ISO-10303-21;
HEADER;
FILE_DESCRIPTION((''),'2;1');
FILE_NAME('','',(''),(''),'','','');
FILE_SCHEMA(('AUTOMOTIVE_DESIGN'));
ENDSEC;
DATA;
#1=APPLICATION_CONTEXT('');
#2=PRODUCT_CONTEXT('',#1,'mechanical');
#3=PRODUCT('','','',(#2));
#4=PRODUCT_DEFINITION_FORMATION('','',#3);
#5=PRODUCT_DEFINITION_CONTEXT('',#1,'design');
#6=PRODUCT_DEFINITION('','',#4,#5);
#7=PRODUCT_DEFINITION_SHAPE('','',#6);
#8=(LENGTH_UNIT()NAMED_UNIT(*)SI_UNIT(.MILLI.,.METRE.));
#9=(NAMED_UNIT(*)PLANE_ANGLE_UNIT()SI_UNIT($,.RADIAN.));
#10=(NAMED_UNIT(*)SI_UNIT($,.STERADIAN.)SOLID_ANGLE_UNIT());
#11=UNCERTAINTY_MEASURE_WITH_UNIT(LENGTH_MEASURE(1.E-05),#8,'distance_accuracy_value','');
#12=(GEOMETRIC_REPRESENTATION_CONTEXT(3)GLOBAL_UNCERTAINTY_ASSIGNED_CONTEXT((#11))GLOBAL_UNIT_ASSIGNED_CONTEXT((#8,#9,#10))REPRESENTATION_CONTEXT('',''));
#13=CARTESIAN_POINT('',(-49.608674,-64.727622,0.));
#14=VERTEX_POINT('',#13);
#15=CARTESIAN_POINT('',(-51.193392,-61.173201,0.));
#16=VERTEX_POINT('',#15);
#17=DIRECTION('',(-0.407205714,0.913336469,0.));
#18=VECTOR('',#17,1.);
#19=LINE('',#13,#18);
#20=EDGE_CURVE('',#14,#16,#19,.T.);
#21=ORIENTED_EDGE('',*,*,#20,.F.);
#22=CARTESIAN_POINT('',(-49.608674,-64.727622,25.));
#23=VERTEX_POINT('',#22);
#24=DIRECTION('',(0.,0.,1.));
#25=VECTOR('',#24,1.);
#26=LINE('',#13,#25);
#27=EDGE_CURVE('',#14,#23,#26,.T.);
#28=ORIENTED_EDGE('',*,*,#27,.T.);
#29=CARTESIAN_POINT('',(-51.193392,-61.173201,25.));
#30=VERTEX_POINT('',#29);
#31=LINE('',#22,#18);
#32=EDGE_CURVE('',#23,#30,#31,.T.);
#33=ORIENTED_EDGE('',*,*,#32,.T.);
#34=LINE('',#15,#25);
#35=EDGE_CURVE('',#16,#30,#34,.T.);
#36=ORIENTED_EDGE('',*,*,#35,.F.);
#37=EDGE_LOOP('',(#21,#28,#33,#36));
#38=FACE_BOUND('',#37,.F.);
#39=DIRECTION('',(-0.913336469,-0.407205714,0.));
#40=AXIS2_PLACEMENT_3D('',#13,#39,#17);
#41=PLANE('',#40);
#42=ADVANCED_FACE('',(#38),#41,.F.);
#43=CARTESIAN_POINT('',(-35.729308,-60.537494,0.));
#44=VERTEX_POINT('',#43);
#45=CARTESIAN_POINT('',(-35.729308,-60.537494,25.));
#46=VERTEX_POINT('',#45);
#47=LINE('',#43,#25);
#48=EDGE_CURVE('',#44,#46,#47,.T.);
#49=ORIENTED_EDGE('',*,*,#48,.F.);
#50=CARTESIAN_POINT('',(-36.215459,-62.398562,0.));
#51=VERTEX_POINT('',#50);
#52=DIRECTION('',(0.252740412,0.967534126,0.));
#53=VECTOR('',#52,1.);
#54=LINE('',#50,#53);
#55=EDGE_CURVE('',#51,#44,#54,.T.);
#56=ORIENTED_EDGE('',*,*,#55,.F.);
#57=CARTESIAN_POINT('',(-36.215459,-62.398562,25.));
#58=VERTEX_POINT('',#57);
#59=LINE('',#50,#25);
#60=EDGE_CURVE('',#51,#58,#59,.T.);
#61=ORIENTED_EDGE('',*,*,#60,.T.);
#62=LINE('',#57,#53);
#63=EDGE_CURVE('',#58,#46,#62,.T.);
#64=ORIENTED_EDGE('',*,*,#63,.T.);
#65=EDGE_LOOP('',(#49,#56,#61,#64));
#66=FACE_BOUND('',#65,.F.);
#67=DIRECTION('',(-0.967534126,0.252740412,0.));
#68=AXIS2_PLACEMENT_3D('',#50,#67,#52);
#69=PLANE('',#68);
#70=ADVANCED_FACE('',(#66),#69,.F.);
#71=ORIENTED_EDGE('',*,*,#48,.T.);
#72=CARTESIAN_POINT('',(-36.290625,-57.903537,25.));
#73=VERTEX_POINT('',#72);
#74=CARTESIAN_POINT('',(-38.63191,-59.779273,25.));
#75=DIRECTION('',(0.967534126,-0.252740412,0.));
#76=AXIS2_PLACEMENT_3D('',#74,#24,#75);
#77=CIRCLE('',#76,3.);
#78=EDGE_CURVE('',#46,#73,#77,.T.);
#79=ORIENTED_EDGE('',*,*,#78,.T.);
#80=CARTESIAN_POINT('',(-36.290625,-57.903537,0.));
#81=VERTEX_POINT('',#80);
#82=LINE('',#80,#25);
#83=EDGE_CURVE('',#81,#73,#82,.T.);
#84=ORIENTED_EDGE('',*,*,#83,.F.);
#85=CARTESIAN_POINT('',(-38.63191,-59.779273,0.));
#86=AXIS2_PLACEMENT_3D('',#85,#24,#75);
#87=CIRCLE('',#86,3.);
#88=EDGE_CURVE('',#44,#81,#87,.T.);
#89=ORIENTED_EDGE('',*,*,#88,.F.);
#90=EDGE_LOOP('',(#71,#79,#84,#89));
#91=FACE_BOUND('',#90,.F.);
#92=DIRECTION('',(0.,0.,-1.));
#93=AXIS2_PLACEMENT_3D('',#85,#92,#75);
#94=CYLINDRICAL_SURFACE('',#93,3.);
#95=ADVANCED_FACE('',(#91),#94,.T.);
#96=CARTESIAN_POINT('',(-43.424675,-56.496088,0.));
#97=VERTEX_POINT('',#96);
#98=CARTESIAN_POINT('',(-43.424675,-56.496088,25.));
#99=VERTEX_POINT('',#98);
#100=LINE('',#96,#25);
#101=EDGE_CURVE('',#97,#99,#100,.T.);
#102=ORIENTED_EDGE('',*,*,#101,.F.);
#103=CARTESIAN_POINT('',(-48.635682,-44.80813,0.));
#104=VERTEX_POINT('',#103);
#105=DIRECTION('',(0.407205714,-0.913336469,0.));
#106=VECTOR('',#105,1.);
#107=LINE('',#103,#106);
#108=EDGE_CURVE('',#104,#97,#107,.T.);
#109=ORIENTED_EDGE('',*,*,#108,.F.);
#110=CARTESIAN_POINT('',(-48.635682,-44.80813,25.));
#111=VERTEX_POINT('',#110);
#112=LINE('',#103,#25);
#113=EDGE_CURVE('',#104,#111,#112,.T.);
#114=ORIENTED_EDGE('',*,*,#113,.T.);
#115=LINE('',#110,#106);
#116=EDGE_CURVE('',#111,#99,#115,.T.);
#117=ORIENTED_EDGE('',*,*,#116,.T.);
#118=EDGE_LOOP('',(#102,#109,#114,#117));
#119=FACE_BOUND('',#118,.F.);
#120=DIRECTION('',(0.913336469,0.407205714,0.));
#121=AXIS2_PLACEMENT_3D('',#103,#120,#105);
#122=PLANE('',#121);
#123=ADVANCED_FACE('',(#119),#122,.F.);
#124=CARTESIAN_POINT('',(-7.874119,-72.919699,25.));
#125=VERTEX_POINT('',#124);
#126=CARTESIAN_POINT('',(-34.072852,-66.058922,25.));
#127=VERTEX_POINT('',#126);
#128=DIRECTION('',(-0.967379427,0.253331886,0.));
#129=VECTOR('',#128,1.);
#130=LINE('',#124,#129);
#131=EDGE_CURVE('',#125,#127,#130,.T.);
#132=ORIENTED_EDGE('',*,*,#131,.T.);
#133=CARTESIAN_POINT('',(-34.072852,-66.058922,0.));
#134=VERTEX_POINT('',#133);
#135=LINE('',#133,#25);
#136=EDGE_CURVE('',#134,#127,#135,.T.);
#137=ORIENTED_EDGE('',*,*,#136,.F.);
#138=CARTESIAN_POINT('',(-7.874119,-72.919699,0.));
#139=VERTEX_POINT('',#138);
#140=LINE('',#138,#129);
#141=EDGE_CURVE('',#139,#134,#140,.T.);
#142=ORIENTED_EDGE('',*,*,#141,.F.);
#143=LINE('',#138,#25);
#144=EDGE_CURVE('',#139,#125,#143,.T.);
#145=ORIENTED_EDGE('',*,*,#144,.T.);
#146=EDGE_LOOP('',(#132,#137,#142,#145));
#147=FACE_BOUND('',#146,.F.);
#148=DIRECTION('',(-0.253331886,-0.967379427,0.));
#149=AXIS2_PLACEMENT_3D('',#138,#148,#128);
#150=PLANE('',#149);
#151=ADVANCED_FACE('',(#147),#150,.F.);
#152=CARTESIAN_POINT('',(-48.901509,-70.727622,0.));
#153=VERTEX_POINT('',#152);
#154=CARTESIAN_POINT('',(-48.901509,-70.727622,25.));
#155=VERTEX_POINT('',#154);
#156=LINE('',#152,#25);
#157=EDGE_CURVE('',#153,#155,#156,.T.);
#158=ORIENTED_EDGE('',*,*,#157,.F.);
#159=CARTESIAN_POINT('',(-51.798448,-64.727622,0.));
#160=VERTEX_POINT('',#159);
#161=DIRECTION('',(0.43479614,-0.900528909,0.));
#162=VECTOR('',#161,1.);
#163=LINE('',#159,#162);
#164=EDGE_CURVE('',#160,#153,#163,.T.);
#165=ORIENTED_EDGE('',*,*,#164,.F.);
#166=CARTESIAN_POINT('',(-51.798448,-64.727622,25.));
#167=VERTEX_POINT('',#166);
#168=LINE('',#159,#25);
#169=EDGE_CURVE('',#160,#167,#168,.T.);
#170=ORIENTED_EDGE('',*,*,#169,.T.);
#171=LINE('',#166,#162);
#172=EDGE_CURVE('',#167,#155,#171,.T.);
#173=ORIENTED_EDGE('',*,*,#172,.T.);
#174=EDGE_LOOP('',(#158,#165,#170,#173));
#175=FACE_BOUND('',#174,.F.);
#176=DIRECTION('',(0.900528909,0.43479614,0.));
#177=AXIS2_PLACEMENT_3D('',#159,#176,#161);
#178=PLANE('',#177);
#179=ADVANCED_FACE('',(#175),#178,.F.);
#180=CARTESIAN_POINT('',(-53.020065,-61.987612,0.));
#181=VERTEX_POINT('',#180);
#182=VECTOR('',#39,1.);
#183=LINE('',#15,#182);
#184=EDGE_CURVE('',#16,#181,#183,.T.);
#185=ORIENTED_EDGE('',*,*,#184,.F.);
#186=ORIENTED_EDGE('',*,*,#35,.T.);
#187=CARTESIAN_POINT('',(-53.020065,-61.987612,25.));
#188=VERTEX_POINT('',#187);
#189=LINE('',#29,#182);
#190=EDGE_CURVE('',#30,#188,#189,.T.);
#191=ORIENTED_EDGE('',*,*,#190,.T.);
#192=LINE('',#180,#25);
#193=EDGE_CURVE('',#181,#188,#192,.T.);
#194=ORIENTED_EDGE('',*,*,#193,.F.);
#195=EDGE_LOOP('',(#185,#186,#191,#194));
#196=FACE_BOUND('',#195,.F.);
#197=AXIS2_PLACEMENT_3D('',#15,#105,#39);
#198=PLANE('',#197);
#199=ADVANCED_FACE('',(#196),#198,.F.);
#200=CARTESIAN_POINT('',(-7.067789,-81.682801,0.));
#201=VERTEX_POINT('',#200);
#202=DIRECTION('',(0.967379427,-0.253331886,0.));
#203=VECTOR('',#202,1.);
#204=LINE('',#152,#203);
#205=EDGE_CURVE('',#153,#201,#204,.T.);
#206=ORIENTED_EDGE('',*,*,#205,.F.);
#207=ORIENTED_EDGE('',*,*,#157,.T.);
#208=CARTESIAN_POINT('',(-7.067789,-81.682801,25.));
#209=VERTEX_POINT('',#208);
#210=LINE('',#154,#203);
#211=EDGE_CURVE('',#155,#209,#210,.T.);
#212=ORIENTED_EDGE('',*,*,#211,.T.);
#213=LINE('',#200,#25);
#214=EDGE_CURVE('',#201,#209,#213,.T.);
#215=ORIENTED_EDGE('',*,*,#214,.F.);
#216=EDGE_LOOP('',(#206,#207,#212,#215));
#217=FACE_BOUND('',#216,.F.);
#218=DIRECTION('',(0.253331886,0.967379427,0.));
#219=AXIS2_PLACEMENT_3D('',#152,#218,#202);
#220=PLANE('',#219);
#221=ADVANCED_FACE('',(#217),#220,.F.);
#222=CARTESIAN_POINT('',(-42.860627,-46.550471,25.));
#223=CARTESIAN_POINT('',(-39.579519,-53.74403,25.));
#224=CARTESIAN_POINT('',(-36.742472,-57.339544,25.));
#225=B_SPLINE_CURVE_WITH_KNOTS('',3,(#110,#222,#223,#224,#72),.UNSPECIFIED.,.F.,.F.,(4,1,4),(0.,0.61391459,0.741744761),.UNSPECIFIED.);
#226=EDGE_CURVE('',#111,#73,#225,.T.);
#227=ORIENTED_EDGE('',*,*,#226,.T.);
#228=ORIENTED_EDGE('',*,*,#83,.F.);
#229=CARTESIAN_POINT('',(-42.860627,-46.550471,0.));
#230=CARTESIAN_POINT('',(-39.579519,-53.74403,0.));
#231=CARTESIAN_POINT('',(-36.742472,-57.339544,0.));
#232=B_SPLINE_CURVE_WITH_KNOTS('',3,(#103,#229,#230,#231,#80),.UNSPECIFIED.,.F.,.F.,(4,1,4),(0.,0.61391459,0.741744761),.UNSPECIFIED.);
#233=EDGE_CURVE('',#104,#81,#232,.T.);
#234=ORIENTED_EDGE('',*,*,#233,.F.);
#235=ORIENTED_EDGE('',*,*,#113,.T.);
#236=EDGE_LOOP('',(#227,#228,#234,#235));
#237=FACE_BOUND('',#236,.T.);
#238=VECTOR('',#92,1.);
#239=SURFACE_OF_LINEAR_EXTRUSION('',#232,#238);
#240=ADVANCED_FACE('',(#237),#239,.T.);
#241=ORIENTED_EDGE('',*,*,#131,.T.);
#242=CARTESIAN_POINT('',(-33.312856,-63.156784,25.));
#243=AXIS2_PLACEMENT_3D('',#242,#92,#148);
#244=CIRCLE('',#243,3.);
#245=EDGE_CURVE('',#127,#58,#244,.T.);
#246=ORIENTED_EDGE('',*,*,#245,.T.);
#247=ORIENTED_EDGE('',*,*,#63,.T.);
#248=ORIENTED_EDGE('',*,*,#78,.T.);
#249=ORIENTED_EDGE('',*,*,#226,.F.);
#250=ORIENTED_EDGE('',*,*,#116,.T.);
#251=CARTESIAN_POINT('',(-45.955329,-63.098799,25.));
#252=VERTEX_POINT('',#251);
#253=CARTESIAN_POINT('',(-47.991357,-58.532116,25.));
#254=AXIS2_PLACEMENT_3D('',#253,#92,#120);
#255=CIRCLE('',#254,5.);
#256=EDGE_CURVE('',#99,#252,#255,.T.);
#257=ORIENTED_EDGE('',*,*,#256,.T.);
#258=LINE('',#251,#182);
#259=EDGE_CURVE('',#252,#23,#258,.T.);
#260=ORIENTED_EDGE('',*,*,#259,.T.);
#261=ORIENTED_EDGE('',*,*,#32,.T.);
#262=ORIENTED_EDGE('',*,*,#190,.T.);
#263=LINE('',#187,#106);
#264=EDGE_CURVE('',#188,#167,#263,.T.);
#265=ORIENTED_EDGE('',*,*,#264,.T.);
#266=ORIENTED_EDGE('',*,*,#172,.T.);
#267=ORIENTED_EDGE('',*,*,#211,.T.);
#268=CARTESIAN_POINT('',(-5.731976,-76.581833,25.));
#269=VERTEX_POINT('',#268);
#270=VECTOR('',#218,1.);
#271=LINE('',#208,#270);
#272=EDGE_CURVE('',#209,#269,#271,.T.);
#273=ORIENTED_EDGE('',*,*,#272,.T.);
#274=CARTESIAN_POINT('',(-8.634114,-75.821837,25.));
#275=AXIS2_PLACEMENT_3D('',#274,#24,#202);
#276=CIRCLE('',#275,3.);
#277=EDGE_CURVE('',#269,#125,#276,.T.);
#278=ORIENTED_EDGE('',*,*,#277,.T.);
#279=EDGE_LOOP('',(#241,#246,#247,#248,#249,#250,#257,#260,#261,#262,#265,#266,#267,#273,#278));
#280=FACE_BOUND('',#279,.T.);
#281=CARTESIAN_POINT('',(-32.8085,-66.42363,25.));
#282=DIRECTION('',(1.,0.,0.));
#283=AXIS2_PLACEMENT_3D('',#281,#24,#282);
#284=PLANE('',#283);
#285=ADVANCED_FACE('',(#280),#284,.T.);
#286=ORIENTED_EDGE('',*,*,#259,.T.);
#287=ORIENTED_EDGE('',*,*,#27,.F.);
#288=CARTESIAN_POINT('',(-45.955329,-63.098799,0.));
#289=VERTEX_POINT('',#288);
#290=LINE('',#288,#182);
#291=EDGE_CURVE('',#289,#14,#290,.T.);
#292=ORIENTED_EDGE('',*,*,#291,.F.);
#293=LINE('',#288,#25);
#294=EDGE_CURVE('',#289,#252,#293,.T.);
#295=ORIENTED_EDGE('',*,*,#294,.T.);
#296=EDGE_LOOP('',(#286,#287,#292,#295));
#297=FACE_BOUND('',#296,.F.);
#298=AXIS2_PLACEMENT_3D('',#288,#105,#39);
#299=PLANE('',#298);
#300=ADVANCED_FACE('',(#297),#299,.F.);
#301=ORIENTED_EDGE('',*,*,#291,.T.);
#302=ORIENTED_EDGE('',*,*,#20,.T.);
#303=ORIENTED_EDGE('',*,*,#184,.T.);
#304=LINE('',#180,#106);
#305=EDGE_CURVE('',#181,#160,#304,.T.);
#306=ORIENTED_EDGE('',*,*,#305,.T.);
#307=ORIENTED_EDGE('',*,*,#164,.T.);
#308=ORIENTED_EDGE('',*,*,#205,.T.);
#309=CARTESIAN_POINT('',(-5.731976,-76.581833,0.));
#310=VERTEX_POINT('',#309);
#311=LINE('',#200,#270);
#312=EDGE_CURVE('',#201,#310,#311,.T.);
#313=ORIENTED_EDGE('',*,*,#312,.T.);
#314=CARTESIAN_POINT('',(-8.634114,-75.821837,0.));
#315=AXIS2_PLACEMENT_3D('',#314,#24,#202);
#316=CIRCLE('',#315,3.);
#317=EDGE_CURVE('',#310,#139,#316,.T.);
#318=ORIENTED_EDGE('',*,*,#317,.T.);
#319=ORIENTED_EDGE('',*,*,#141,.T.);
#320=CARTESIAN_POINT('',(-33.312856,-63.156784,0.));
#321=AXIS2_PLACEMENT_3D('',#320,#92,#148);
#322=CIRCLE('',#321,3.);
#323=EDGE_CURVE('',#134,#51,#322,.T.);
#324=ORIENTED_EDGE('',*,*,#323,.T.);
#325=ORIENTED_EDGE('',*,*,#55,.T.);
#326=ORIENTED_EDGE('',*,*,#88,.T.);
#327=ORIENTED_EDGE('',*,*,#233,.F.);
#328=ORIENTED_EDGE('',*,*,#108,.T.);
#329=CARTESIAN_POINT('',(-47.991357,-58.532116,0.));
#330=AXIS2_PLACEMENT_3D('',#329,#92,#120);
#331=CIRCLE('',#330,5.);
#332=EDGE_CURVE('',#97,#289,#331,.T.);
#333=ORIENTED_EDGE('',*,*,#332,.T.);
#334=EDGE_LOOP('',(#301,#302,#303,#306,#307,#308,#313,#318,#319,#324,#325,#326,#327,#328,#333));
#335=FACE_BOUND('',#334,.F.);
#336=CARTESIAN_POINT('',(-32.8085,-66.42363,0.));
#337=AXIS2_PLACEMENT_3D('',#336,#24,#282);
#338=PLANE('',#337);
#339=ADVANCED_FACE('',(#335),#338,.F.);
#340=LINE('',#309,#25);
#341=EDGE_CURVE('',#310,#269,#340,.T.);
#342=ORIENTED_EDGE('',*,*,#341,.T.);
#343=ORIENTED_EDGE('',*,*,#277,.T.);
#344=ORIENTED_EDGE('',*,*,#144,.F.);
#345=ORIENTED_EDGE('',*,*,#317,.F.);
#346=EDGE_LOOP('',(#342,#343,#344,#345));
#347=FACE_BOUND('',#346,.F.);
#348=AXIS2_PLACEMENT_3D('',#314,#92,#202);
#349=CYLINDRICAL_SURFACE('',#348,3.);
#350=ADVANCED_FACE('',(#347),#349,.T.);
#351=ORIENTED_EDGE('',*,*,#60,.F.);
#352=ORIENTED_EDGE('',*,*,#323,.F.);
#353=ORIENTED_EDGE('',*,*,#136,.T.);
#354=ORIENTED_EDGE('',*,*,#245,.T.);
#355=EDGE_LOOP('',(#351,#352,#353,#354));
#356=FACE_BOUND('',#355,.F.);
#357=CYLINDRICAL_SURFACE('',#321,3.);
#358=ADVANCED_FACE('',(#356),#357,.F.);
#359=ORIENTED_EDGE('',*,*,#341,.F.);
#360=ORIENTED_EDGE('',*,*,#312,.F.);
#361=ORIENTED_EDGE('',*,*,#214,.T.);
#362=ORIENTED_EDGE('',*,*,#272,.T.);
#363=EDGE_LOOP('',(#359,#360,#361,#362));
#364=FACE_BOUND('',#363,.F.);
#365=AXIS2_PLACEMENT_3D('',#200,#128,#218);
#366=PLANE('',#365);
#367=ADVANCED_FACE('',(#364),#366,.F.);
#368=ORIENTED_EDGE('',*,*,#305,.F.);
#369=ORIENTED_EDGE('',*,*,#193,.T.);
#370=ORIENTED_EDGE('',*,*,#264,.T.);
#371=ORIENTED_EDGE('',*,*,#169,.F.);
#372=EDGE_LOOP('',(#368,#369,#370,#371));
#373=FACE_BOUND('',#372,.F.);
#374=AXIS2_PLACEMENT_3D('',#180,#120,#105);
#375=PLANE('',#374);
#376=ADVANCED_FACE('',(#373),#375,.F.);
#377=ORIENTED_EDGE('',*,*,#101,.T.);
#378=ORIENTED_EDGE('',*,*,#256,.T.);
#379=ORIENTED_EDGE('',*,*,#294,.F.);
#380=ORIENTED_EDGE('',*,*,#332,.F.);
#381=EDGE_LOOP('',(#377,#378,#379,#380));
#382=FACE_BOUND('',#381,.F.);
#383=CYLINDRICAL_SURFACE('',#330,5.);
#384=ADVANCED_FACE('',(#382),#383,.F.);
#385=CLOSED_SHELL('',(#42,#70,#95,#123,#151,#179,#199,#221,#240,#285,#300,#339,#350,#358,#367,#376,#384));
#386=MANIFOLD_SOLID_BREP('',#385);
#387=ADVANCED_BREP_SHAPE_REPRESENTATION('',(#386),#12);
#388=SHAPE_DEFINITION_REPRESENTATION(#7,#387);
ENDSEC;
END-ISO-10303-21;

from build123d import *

# Parameters (mm, degrees)
F1_DEPTH = 25


with BuildPart() as f1:
    # F0 (on Top) → F1 (new body)
    with BuildSketch(Plane.XY):
        with BuildLine():
            Line((-53.02006511, -61.9876122369), (-51.7984479666, -64.7276216447))
            Line((-51.7984479666, -64.7276216447), (-48.9015094936, -70.7276216447))
            Line((-48.9015094936, -70.7276216447), (-7.067788858, -81.6828012466))
            Line((-7.067788858, -81.6828012466), (-5.7319759294, -76.5818328549))
            ThreePointArc((-5.7319759294, -76.5818328549), (-6.0445944675, -74.307113622), (-7.8741185505, -72.9196989154))
            Line((-7.8741185505, -72.9196989154), (-34.0728518514, -66.0589219084))
            ThreePointArc((-34.0728518514, -66.0589219084), (-35.9019127851, -64.6722987085), (-36.2154585687, -62.3985623915))
            Line((-36.2154585687, -62.3985623915), (-35.7293080128, -60.5374937602))
            ThreePointArc((-35.7293080128, -60.5374937602), (-35.6977969852, -59.1539897626), (-36.2906249479, -57.9035373393))
            add(Edge.make_bspline(
                [(-48.6356823932, -44.8081299245), (-42.8606271744, -46.5504713356), (-39.5795192791, -53.7440296366), (-36.7424715785, -57.3395441131), (-36.2906249479, -57.9035373393)],
                knots=[0, 0, 0, 0, 0.6139145896, 0.7417447614, 0.7417447614, 0.7417447614, 0.7417447614], degree=3))
            Line((-48.6356823932, -44.8081299245), (-43.4246748123, -56.496087868))
            ThreePointArc((-43.4246748123, -56.496087868), (-43.3225354938, -60.3215588848), (-45.9553285862, -63.0987987868))
            Line((-45.9553285862, -63.0987987868), (-49.6086744633, -64.7276216447))
            Line((-49.6086744633, -64.7276216447), (-51.1933921715, -61.173200808))
            Line((-51.1933921715, -61.173200808), (-53.02006511, -61.9876122369))
        make_face()
    extrude(amount=F1_DEPTH)


solid = f1.part
